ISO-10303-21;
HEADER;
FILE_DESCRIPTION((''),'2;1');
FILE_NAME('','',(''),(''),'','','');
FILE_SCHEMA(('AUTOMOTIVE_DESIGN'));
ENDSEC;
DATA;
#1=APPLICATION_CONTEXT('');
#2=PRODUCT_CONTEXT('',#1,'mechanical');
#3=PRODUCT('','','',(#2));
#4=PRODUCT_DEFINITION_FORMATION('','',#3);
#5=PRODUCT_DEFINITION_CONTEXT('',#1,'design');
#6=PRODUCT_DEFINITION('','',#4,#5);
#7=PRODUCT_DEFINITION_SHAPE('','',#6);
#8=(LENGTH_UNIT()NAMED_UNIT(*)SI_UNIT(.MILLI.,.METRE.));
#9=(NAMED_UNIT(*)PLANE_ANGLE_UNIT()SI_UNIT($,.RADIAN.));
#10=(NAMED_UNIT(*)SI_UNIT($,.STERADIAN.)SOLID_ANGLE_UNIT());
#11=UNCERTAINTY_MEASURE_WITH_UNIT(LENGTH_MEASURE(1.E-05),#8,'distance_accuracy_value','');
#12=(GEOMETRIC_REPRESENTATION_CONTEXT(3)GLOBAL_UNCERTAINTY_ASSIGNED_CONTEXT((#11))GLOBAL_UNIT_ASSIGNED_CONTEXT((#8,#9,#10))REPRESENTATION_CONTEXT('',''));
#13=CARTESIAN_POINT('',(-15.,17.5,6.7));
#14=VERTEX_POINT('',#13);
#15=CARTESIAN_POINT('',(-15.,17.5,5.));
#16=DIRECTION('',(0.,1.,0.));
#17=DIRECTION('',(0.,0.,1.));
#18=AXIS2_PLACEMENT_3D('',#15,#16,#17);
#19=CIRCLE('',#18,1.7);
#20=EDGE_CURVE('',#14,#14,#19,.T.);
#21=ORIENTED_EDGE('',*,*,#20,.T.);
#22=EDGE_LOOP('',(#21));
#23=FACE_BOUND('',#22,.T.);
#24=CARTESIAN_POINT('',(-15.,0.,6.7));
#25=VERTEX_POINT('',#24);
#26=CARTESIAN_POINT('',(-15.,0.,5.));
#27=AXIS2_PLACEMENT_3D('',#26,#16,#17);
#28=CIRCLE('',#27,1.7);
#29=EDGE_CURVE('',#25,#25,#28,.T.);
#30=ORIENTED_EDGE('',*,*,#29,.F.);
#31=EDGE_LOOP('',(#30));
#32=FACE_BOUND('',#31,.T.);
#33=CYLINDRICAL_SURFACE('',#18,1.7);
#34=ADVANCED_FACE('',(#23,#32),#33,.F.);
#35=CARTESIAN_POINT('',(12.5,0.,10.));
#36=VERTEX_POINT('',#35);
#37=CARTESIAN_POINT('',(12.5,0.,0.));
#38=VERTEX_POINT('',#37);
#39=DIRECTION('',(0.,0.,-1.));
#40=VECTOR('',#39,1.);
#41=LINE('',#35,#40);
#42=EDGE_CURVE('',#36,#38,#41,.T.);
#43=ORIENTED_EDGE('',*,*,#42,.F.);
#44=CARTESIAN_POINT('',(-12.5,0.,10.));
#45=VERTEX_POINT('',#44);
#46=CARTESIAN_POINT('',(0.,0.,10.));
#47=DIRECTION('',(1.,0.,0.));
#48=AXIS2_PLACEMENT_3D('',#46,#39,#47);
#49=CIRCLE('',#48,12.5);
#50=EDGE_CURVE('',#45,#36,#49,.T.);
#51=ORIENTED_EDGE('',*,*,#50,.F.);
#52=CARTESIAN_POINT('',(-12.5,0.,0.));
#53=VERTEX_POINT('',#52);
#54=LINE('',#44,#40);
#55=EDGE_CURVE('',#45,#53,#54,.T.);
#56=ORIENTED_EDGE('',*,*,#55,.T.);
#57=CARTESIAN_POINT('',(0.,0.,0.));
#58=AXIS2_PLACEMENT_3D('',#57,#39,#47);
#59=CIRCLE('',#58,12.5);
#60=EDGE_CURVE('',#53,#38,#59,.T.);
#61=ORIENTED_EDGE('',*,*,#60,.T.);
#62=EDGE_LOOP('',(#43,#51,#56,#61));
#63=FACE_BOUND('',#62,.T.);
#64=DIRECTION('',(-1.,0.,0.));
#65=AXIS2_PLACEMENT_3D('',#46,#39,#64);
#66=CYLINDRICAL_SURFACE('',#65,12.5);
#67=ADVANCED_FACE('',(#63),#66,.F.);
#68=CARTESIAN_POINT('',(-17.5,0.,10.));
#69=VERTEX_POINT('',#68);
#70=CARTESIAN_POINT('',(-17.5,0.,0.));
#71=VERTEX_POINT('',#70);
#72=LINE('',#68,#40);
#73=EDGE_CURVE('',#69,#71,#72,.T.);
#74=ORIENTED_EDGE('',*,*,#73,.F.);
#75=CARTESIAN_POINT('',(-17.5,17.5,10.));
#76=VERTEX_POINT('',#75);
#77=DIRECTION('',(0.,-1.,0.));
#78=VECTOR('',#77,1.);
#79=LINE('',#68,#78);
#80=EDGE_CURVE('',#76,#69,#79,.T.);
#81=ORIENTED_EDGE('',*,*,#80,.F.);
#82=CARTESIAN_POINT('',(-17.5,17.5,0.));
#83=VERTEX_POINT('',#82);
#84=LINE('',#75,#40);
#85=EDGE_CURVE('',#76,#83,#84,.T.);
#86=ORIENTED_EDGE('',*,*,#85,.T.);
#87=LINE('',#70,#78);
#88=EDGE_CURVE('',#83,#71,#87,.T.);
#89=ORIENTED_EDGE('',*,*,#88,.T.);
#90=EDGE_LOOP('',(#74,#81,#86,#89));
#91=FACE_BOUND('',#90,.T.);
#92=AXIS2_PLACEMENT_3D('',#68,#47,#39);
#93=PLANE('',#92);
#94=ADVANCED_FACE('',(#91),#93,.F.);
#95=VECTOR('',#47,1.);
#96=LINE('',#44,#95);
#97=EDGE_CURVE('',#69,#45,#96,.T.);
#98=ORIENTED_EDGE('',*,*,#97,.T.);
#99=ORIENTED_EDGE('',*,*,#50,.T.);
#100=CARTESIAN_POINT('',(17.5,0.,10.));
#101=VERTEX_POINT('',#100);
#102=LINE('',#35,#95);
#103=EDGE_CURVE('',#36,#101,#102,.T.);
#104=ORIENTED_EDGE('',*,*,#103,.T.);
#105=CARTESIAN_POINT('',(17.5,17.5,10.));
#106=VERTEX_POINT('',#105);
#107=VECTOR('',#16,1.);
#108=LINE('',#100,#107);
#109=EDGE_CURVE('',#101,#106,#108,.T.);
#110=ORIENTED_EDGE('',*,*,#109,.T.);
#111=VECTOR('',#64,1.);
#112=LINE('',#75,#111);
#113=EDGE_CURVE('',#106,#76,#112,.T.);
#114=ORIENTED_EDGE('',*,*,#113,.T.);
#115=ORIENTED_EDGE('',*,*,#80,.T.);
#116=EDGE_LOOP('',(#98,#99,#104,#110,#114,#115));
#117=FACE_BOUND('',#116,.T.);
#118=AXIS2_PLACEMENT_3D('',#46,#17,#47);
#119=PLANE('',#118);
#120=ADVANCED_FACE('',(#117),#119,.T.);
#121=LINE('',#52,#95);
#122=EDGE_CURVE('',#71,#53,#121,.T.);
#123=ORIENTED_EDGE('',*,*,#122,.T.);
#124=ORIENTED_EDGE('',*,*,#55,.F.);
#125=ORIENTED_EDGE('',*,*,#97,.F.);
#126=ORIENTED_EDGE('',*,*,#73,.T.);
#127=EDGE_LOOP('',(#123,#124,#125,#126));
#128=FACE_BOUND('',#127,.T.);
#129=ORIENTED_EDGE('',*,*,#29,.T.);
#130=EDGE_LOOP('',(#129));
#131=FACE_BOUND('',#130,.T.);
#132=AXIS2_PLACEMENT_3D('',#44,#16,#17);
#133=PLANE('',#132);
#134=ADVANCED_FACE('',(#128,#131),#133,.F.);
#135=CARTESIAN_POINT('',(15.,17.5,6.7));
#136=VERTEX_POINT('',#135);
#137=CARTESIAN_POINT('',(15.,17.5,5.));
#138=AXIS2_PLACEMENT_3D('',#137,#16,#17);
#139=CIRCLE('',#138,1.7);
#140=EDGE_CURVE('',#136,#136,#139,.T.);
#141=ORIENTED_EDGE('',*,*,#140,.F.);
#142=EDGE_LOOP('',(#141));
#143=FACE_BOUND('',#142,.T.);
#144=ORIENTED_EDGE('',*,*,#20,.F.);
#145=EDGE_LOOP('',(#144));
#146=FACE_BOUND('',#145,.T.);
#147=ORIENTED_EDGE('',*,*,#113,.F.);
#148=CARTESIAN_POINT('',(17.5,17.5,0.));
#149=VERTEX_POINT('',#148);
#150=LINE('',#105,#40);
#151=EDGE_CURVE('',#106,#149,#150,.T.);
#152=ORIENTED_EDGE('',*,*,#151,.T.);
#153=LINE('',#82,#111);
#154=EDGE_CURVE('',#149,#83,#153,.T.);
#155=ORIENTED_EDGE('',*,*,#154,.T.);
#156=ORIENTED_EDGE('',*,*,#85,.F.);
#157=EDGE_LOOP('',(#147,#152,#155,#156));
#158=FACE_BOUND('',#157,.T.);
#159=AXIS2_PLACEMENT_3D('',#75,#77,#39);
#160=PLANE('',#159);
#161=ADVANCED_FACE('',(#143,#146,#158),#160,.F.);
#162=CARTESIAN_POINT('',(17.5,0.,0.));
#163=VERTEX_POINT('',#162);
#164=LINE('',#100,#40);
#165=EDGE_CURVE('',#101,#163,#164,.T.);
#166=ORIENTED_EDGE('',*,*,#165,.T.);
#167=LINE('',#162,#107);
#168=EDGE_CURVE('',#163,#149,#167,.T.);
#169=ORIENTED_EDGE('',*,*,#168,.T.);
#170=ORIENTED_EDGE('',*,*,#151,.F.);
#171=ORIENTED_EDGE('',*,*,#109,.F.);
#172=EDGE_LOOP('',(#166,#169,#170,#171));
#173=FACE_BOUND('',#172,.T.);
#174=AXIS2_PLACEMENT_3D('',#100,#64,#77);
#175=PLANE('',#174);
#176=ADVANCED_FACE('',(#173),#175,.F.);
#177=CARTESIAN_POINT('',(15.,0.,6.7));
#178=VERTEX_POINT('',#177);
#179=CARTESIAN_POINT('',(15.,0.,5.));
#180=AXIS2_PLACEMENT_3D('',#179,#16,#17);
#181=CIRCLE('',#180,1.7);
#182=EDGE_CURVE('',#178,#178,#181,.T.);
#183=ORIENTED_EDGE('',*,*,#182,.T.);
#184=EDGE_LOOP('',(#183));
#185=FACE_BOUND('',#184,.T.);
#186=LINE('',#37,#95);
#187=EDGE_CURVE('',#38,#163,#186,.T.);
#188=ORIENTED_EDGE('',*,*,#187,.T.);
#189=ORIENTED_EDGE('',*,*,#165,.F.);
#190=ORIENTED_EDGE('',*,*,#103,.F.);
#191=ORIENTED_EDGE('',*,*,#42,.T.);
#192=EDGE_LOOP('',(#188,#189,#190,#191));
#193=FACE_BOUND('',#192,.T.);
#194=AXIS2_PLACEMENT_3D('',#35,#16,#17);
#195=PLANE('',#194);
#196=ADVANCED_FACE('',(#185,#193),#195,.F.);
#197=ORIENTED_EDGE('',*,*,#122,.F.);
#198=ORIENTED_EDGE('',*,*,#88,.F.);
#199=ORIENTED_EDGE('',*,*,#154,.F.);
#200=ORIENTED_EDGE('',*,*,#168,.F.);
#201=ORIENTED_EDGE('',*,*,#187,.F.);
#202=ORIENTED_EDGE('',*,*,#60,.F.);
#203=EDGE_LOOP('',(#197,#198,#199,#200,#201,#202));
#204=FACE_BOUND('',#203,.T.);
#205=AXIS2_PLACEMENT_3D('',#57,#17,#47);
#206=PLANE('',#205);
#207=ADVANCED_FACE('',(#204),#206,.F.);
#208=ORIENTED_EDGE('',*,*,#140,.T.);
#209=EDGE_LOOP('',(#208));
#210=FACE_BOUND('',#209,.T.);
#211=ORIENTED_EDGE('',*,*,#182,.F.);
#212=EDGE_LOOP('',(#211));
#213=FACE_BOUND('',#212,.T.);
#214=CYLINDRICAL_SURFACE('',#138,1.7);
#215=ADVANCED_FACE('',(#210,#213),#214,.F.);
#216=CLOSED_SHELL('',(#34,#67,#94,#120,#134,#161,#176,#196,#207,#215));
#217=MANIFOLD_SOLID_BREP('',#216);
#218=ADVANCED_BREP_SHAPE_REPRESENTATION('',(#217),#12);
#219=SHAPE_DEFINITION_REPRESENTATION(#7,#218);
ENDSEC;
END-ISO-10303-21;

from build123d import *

# Parameters (mm, degrees)
BOSS_EXTRUDE1_DEPTH  = 10
M3_CLEARANCE_HOLE1_D = 3.4


with BuildPart() as part:
    # Sketch2 → Boss-Extrude1 (new body)
    with BuildSketch(Plane.XY):
        with BuildLine():
            Line((12.5, 0), (17.5, 0))
            Line((17.5, 0), (17.5, 17.5))
            Line((17.5, 17.5), (-17.5, 17.5))
            Line((-17.5, 17.5), (-17.5, 0))
            Line((-17.5, 0), (-12.5, 0))
            ThreePointArc((-12.5, 0), (0, 12.5), (12.5, 0))
        make_face()
    extrude(amount=BOSS_EXTRUDE1_DEPTH)

    # M3 Clearance Hole1 (through all)
    with Locations(Plane(origin=(0, 17.5, 0), x_dir=(1, 0, 0), z_dir=(0, 1, 0))):
        with Locations((-15, -5), (15, -5)):
            Hole(M3_CLEARANCE_HOLE1_D / 2)


solid = part.part
